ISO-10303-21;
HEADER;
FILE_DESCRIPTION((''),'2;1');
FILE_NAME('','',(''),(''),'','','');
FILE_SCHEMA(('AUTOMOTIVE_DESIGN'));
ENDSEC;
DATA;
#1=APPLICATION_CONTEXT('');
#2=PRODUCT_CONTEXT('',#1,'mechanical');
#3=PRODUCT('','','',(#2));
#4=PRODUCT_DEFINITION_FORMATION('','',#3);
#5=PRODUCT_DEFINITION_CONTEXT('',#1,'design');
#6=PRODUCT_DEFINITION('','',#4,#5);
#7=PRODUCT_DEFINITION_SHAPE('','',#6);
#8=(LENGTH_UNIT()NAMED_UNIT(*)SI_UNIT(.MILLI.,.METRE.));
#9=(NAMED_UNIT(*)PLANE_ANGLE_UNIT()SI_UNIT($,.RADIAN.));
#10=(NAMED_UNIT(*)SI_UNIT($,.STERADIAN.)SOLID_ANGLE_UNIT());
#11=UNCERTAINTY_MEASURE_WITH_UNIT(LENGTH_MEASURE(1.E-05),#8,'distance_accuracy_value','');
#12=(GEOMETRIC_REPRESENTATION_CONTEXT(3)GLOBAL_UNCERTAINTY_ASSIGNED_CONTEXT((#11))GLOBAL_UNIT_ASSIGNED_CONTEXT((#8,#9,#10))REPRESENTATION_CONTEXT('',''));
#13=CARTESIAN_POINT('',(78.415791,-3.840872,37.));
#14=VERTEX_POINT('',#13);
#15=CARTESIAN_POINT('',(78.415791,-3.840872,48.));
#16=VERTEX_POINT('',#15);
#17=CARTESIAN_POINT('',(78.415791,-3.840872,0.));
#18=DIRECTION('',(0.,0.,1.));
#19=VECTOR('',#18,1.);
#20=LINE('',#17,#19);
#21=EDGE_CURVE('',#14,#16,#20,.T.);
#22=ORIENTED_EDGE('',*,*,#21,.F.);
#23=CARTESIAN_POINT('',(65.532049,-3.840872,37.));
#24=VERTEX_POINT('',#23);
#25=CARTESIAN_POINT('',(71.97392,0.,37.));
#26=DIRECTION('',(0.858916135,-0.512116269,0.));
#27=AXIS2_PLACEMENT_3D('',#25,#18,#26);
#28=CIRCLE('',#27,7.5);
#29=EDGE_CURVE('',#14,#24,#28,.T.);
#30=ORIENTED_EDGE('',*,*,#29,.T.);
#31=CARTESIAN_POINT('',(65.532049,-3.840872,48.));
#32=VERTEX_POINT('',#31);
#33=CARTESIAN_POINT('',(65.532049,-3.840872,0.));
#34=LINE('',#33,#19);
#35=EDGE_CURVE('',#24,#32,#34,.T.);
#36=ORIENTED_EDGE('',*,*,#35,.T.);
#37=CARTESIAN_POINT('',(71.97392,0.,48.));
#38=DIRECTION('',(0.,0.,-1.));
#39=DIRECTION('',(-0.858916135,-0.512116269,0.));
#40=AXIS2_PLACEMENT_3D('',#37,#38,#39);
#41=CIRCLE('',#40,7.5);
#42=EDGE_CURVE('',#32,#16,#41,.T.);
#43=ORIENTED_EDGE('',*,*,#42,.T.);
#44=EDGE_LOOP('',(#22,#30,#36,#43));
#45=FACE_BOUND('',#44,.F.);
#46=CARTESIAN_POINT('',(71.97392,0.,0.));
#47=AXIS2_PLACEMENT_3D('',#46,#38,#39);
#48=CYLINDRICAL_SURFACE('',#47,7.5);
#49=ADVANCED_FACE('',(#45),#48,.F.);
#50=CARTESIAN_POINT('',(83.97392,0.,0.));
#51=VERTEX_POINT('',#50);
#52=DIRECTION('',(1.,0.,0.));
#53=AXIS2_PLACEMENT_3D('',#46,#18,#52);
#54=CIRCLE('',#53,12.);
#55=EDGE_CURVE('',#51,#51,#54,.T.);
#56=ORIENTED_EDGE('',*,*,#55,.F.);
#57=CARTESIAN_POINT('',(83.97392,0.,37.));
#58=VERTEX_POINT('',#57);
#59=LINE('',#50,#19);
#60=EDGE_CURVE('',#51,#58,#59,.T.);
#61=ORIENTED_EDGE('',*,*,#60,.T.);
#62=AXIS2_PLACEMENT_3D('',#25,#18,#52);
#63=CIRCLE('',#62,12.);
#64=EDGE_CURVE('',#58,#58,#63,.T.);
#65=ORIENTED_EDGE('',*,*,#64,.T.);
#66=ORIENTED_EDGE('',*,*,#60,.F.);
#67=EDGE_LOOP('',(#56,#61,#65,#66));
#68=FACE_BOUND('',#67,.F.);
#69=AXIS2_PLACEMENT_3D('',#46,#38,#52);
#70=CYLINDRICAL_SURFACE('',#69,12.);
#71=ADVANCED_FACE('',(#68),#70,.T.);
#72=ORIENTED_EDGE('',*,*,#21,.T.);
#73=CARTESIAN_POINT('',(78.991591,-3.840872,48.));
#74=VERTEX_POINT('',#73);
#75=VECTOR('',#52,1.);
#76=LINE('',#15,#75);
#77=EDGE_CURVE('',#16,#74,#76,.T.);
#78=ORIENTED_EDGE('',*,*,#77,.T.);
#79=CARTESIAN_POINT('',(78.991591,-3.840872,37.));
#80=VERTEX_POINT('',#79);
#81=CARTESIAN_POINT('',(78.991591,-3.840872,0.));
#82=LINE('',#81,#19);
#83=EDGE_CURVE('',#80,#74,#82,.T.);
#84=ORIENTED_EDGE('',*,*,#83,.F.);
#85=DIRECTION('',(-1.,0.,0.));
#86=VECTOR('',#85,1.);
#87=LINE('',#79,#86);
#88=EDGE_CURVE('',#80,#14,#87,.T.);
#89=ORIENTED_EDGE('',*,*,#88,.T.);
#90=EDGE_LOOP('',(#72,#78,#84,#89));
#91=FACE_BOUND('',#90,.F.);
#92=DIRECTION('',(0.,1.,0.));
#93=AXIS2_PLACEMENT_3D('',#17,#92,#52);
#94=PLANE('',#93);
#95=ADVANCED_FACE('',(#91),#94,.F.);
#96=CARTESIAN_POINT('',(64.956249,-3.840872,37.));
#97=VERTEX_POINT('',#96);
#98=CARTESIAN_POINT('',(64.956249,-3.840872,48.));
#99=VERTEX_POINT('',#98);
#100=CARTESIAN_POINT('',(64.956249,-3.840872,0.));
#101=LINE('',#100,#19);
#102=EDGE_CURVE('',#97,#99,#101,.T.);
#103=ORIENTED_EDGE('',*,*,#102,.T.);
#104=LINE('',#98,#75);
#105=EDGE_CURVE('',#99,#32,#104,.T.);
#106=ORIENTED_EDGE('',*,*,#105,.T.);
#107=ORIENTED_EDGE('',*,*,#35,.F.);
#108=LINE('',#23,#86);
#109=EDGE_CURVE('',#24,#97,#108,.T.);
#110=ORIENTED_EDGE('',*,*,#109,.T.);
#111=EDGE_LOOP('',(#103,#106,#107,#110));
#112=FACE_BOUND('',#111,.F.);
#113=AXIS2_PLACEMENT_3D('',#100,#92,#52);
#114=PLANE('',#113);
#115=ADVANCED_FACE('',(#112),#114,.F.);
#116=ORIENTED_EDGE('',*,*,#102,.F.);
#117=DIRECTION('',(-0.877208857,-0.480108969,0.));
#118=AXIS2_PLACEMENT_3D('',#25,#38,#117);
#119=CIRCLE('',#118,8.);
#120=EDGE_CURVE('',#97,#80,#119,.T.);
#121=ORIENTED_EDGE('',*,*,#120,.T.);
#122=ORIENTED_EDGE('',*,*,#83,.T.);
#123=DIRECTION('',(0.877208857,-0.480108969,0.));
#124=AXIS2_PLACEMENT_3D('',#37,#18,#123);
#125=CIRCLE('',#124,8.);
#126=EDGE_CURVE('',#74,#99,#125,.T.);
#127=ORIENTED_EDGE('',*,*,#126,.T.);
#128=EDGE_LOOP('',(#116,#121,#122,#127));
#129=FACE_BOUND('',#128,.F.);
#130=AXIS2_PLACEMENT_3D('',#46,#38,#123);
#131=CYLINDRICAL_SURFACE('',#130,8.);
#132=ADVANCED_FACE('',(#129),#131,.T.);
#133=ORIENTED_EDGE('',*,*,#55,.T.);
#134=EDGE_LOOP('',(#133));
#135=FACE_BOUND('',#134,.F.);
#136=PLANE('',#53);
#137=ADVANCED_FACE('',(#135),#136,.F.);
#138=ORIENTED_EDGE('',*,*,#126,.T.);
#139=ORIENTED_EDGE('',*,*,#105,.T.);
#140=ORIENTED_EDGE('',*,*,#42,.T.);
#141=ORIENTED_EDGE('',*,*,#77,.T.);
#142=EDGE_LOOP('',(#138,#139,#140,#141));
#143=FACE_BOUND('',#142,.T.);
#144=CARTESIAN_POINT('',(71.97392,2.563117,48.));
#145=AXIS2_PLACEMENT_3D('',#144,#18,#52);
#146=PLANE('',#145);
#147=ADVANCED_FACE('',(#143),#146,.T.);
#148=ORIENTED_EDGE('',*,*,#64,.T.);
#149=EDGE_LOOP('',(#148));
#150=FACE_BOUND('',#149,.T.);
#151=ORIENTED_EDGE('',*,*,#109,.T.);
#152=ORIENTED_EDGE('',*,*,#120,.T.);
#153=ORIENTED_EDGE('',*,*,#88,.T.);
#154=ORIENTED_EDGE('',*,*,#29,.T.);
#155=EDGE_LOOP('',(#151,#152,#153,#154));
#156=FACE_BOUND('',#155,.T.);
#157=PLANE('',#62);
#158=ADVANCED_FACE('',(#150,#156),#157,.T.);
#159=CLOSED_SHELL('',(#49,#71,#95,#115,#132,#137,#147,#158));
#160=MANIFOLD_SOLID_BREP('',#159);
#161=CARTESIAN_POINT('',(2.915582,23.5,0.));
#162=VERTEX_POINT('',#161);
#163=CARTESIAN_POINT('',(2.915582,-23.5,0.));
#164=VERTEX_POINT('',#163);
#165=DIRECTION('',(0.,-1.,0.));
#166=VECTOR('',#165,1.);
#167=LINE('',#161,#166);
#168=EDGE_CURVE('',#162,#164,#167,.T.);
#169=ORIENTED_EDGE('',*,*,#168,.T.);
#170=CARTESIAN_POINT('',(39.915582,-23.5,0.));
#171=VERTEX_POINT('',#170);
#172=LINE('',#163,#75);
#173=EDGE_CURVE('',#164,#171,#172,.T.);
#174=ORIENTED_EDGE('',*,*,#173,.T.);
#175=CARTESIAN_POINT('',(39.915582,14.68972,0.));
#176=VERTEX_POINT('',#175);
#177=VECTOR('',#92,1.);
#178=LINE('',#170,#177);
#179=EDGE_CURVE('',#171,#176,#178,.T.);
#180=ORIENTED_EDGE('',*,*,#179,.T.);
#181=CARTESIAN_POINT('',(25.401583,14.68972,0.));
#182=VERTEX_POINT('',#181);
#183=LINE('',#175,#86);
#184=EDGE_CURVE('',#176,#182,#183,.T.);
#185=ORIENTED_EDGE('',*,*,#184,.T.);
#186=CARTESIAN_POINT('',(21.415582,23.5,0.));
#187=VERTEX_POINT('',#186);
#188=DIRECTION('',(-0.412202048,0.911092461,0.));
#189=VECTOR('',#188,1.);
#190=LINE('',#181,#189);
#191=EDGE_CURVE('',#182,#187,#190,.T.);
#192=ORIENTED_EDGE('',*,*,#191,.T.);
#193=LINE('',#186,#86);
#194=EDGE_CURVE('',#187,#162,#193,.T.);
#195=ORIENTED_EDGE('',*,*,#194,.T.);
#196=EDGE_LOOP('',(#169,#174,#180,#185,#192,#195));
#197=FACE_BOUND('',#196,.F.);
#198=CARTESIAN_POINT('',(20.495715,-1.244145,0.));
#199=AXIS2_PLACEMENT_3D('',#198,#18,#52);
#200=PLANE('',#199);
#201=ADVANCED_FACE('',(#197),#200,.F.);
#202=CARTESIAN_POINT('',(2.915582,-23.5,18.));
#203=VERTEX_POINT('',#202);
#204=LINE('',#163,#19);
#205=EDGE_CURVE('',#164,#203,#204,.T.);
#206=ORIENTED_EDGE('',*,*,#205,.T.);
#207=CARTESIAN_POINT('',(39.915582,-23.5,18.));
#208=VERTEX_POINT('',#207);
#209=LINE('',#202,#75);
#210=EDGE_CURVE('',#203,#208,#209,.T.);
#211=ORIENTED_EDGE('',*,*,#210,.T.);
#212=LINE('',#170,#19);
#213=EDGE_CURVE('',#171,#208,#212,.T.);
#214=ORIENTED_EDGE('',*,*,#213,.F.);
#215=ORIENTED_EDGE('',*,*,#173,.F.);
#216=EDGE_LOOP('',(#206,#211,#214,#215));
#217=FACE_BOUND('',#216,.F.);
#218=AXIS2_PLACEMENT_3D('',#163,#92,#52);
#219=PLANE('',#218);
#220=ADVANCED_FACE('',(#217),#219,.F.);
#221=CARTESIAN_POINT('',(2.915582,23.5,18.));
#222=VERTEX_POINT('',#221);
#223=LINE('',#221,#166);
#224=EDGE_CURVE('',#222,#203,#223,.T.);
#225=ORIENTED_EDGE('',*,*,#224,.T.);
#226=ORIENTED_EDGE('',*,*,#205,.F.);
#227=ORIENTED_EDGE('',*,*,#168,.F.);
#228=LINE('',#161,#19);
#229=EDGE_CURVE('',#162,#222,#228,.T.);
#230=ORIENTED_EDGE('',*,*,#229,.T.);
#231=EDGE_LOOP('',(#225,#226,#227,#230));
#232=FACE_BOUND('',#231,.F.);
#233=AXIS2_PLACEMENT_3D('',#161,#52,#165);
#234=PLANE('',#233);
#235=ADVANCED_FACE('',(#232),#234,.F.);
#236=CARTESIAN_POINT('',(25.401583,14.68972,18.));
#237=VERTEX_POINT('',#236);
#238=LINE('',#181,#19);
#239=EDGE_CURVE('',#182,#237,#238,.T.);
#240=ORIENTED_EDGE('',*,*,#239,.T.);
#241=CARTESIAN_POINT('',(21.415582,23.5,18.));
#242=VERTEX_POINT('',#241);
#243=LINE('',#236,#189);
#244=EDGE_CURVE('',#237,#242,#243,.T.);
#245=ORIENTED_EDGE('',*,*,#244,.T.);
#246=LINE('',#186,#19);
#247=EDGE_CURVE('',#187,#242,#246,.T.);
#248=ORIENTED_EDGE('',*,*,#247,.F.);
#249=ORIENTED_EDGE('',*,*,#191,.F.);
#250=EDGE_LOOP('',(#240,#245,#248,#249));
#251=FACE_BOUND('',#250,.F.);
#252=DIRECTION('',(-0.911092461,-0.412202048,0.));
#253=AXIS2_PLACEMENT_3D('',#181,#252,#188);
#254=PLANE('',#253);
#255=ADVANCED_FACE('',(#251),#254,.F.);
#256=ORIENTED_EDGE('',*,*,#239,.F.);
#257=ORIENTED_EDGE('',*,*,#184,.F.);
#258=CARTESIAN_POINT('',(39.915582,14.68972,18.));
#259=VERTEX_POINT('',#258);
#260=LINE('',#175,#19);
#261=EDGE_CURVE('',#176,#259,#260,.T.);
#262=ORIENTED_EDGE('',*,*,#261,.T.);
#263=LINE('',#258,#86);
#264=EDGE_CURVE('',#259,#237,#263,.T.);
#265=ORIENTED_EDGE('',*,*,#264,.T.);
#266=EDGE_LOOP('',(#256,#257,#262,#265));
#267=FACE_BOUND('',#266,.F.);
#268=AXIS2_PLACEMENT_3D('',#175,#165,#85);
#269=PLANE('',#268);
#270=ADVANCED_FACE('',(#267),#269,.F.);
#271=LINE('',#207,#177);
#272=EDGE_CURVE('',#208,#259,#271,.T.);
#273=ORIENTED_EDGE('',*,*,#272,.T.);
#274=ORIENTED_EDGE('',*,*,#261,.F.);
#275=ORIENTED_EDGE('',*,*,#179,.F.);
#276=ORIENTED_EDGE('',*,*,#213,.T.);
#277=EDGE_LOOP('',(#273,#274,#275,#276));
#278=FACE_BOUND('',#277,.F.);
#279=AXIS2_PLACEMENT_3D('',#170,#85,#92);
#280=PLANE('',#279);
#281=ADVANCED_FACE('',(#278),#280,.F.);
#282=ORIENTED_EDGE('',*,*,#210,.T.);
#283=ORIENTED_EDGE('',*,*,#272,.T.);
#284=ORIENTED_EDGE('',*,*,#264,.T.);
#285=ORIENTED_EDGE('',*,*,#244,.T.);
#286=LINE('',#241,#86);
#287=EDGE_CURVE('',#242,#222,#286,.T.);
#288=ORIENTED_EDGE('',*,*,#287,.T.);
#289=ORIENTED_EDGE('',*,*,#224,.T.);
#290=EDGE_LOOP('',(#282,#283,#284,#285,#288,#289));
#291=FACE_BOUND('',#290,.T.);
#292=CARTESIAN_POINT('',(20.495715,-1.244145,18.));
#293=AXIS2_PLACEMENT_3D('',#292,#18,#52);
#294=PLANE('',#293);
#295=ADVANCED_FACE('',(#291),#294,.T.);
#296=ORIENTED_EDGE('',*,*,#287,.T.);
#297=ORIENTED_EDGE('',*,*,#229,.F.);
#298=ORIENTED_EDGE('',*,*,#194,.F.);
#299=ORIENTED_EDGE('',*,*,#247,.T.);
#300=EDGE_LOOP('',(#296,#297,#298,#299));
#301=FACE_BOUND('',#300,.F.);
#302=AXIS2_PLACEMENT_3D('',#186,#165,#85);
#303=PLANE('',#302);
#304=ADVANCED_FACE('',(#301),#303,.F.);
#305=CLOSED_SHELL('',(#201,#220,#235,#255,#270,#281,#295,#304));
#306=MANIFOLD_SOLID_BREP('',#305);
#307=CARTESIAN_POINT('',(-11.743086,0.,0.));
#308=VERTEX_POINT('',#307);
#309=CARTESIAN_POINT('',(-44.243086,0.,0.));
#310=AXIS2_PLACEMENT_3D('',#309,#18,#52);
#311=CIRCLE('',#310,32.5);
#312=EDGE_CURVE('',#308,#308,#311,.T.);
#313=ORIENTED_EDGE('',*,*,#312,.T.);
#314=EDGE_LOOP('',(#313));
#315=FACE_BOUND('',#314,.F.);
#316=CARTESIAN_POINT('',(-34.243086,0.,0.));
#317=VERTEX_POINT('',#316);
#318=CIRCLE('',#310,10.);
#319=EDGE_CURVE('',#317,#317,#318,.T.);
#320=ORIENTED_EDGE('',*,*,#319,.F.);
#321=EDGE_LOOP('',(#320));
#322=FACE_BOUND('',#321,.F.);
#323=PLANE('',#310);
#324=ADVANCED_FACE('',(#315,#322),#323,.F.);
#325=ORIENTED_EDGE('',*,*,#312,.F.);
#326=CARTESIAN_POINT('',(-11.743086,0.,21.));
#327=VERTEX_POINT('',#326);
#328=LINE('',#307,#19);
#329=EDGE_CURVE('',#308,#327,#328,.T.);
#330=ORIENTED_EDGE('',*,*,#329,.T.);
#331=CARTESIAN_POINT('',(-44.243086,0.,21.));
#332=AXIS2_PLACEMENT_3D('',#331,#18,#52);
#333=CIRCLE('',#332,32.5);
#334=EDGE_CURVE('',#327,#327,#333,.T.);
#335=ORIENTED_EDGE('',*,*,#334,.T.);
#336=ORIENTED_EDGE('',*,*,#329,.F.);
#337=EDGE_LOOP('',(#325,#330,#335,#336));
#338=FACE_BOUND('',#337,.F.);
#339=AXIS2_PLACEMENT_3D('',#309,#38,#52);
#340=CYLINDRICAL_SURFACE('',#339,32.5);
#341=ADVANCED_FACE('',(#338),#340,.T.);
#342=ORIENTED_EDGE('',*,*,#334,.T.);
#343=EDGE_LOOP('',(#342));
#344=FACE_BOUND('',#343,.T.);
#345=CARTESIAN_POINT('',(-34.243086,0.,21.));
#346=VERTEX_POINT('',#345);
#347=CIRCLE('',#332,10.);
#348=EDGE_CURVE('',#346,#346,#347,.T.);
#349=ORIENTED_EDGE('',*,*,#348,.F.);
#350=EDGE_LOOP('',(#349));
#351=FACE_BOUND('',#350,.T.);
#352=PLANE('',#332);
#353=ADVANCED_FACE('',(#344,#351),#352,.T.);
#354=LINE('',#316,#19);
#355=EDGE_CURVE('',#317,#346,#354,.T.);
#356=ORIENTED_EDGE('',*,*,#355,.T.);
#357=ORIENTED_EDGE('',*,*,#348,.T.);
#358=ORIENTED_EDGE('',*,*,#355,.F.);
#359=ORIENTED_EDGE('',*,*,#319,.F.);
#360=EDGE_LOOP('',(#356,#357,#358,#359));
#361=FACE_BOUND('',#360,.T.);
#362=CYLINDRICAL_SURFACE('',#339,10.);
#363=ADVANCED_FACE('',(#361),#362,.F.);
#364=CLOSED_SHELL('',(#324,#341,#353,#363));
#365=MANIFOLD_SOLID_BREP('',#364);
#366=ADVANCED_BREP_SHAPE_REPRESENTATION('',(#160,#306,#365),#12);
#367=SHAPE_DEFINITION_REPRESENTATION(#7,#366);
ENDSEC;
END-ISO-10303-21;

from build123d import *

# Parameters (mm, degrees)
F0_R     = 32.5
F0_R_2   = 10
F1_DEPTH = 21
F2_DEPTH = 18
F0_R_3   = 12
F3_DEPTH = 37
F4_DEPTH = 48


with BuildPart() as f1:
    # F0 (on Top) → F1 (new body)
    with BuildSketch(Plane.XY):
        with Locations((-44.243086, 0)):
            Circle(F0_R)
        with Locations((-44.243086, 0)):
            Circle(F0_R_2, mode=Mode.SUBTRACT)
    extrude(amount=F1_DEPTH)


with BuildPart() as f2:
    # F0 (on Top) → F2 (new body)
    with BuildSketch(Plane.XY):
        Polygon((2.915582, -23.5), (39.915582, -23.5), (39.915582, 14.68972), (25.401583, 14.68972), (21.415582, 23.5), (2.915582, 23.5), align=None)
    extrude(amount=F2_DEPTH)


with BuildPart() as f3:
    # F0 (on Top) → F3 (new body)
    with BuildSketch(Plane.XY):
        with Locations((71.97392, 0)):
            Circle(F0_R_3)
        with BuildLine():
            ThreePointArc((64.956249, -3.840872), (71.97392, 8), (78.991591, -3.840872))
            Line((78.991591, -3.840872), (78.415791, -3.840872))
            ThreePointArc((78.415791, -3.840872), (71.97392, 7.5), (65.532049, -3.840872))
            Line((65.532049, -3.840872), (64.956249, -3.840872))
        make_face(mode=Mode.SUBTRACT)
    extrude(amount=F3_DEPTH)

    # F0 (on Top) → F4 (join)
    with BuildSketch(Plane.XY):
        with BuildLine():
            Line((78.415791, -3.840872), (78.991591, -3.840872))
            ThreePointArc((78.991591, -3.840872), (71.97392, 8), (64.956249, -3.840872))
            Line((64.956249, -3.840872), (65.532049, -3.840872))
            ThreePointArc((65.532049, -3.840872), (71.97392, 7.5), (78.415791, -3.840872))
        make_face()
    extrude(amount=F4_DEPTH)


solid = Compound([f1.part, f2.part, f3.part])
